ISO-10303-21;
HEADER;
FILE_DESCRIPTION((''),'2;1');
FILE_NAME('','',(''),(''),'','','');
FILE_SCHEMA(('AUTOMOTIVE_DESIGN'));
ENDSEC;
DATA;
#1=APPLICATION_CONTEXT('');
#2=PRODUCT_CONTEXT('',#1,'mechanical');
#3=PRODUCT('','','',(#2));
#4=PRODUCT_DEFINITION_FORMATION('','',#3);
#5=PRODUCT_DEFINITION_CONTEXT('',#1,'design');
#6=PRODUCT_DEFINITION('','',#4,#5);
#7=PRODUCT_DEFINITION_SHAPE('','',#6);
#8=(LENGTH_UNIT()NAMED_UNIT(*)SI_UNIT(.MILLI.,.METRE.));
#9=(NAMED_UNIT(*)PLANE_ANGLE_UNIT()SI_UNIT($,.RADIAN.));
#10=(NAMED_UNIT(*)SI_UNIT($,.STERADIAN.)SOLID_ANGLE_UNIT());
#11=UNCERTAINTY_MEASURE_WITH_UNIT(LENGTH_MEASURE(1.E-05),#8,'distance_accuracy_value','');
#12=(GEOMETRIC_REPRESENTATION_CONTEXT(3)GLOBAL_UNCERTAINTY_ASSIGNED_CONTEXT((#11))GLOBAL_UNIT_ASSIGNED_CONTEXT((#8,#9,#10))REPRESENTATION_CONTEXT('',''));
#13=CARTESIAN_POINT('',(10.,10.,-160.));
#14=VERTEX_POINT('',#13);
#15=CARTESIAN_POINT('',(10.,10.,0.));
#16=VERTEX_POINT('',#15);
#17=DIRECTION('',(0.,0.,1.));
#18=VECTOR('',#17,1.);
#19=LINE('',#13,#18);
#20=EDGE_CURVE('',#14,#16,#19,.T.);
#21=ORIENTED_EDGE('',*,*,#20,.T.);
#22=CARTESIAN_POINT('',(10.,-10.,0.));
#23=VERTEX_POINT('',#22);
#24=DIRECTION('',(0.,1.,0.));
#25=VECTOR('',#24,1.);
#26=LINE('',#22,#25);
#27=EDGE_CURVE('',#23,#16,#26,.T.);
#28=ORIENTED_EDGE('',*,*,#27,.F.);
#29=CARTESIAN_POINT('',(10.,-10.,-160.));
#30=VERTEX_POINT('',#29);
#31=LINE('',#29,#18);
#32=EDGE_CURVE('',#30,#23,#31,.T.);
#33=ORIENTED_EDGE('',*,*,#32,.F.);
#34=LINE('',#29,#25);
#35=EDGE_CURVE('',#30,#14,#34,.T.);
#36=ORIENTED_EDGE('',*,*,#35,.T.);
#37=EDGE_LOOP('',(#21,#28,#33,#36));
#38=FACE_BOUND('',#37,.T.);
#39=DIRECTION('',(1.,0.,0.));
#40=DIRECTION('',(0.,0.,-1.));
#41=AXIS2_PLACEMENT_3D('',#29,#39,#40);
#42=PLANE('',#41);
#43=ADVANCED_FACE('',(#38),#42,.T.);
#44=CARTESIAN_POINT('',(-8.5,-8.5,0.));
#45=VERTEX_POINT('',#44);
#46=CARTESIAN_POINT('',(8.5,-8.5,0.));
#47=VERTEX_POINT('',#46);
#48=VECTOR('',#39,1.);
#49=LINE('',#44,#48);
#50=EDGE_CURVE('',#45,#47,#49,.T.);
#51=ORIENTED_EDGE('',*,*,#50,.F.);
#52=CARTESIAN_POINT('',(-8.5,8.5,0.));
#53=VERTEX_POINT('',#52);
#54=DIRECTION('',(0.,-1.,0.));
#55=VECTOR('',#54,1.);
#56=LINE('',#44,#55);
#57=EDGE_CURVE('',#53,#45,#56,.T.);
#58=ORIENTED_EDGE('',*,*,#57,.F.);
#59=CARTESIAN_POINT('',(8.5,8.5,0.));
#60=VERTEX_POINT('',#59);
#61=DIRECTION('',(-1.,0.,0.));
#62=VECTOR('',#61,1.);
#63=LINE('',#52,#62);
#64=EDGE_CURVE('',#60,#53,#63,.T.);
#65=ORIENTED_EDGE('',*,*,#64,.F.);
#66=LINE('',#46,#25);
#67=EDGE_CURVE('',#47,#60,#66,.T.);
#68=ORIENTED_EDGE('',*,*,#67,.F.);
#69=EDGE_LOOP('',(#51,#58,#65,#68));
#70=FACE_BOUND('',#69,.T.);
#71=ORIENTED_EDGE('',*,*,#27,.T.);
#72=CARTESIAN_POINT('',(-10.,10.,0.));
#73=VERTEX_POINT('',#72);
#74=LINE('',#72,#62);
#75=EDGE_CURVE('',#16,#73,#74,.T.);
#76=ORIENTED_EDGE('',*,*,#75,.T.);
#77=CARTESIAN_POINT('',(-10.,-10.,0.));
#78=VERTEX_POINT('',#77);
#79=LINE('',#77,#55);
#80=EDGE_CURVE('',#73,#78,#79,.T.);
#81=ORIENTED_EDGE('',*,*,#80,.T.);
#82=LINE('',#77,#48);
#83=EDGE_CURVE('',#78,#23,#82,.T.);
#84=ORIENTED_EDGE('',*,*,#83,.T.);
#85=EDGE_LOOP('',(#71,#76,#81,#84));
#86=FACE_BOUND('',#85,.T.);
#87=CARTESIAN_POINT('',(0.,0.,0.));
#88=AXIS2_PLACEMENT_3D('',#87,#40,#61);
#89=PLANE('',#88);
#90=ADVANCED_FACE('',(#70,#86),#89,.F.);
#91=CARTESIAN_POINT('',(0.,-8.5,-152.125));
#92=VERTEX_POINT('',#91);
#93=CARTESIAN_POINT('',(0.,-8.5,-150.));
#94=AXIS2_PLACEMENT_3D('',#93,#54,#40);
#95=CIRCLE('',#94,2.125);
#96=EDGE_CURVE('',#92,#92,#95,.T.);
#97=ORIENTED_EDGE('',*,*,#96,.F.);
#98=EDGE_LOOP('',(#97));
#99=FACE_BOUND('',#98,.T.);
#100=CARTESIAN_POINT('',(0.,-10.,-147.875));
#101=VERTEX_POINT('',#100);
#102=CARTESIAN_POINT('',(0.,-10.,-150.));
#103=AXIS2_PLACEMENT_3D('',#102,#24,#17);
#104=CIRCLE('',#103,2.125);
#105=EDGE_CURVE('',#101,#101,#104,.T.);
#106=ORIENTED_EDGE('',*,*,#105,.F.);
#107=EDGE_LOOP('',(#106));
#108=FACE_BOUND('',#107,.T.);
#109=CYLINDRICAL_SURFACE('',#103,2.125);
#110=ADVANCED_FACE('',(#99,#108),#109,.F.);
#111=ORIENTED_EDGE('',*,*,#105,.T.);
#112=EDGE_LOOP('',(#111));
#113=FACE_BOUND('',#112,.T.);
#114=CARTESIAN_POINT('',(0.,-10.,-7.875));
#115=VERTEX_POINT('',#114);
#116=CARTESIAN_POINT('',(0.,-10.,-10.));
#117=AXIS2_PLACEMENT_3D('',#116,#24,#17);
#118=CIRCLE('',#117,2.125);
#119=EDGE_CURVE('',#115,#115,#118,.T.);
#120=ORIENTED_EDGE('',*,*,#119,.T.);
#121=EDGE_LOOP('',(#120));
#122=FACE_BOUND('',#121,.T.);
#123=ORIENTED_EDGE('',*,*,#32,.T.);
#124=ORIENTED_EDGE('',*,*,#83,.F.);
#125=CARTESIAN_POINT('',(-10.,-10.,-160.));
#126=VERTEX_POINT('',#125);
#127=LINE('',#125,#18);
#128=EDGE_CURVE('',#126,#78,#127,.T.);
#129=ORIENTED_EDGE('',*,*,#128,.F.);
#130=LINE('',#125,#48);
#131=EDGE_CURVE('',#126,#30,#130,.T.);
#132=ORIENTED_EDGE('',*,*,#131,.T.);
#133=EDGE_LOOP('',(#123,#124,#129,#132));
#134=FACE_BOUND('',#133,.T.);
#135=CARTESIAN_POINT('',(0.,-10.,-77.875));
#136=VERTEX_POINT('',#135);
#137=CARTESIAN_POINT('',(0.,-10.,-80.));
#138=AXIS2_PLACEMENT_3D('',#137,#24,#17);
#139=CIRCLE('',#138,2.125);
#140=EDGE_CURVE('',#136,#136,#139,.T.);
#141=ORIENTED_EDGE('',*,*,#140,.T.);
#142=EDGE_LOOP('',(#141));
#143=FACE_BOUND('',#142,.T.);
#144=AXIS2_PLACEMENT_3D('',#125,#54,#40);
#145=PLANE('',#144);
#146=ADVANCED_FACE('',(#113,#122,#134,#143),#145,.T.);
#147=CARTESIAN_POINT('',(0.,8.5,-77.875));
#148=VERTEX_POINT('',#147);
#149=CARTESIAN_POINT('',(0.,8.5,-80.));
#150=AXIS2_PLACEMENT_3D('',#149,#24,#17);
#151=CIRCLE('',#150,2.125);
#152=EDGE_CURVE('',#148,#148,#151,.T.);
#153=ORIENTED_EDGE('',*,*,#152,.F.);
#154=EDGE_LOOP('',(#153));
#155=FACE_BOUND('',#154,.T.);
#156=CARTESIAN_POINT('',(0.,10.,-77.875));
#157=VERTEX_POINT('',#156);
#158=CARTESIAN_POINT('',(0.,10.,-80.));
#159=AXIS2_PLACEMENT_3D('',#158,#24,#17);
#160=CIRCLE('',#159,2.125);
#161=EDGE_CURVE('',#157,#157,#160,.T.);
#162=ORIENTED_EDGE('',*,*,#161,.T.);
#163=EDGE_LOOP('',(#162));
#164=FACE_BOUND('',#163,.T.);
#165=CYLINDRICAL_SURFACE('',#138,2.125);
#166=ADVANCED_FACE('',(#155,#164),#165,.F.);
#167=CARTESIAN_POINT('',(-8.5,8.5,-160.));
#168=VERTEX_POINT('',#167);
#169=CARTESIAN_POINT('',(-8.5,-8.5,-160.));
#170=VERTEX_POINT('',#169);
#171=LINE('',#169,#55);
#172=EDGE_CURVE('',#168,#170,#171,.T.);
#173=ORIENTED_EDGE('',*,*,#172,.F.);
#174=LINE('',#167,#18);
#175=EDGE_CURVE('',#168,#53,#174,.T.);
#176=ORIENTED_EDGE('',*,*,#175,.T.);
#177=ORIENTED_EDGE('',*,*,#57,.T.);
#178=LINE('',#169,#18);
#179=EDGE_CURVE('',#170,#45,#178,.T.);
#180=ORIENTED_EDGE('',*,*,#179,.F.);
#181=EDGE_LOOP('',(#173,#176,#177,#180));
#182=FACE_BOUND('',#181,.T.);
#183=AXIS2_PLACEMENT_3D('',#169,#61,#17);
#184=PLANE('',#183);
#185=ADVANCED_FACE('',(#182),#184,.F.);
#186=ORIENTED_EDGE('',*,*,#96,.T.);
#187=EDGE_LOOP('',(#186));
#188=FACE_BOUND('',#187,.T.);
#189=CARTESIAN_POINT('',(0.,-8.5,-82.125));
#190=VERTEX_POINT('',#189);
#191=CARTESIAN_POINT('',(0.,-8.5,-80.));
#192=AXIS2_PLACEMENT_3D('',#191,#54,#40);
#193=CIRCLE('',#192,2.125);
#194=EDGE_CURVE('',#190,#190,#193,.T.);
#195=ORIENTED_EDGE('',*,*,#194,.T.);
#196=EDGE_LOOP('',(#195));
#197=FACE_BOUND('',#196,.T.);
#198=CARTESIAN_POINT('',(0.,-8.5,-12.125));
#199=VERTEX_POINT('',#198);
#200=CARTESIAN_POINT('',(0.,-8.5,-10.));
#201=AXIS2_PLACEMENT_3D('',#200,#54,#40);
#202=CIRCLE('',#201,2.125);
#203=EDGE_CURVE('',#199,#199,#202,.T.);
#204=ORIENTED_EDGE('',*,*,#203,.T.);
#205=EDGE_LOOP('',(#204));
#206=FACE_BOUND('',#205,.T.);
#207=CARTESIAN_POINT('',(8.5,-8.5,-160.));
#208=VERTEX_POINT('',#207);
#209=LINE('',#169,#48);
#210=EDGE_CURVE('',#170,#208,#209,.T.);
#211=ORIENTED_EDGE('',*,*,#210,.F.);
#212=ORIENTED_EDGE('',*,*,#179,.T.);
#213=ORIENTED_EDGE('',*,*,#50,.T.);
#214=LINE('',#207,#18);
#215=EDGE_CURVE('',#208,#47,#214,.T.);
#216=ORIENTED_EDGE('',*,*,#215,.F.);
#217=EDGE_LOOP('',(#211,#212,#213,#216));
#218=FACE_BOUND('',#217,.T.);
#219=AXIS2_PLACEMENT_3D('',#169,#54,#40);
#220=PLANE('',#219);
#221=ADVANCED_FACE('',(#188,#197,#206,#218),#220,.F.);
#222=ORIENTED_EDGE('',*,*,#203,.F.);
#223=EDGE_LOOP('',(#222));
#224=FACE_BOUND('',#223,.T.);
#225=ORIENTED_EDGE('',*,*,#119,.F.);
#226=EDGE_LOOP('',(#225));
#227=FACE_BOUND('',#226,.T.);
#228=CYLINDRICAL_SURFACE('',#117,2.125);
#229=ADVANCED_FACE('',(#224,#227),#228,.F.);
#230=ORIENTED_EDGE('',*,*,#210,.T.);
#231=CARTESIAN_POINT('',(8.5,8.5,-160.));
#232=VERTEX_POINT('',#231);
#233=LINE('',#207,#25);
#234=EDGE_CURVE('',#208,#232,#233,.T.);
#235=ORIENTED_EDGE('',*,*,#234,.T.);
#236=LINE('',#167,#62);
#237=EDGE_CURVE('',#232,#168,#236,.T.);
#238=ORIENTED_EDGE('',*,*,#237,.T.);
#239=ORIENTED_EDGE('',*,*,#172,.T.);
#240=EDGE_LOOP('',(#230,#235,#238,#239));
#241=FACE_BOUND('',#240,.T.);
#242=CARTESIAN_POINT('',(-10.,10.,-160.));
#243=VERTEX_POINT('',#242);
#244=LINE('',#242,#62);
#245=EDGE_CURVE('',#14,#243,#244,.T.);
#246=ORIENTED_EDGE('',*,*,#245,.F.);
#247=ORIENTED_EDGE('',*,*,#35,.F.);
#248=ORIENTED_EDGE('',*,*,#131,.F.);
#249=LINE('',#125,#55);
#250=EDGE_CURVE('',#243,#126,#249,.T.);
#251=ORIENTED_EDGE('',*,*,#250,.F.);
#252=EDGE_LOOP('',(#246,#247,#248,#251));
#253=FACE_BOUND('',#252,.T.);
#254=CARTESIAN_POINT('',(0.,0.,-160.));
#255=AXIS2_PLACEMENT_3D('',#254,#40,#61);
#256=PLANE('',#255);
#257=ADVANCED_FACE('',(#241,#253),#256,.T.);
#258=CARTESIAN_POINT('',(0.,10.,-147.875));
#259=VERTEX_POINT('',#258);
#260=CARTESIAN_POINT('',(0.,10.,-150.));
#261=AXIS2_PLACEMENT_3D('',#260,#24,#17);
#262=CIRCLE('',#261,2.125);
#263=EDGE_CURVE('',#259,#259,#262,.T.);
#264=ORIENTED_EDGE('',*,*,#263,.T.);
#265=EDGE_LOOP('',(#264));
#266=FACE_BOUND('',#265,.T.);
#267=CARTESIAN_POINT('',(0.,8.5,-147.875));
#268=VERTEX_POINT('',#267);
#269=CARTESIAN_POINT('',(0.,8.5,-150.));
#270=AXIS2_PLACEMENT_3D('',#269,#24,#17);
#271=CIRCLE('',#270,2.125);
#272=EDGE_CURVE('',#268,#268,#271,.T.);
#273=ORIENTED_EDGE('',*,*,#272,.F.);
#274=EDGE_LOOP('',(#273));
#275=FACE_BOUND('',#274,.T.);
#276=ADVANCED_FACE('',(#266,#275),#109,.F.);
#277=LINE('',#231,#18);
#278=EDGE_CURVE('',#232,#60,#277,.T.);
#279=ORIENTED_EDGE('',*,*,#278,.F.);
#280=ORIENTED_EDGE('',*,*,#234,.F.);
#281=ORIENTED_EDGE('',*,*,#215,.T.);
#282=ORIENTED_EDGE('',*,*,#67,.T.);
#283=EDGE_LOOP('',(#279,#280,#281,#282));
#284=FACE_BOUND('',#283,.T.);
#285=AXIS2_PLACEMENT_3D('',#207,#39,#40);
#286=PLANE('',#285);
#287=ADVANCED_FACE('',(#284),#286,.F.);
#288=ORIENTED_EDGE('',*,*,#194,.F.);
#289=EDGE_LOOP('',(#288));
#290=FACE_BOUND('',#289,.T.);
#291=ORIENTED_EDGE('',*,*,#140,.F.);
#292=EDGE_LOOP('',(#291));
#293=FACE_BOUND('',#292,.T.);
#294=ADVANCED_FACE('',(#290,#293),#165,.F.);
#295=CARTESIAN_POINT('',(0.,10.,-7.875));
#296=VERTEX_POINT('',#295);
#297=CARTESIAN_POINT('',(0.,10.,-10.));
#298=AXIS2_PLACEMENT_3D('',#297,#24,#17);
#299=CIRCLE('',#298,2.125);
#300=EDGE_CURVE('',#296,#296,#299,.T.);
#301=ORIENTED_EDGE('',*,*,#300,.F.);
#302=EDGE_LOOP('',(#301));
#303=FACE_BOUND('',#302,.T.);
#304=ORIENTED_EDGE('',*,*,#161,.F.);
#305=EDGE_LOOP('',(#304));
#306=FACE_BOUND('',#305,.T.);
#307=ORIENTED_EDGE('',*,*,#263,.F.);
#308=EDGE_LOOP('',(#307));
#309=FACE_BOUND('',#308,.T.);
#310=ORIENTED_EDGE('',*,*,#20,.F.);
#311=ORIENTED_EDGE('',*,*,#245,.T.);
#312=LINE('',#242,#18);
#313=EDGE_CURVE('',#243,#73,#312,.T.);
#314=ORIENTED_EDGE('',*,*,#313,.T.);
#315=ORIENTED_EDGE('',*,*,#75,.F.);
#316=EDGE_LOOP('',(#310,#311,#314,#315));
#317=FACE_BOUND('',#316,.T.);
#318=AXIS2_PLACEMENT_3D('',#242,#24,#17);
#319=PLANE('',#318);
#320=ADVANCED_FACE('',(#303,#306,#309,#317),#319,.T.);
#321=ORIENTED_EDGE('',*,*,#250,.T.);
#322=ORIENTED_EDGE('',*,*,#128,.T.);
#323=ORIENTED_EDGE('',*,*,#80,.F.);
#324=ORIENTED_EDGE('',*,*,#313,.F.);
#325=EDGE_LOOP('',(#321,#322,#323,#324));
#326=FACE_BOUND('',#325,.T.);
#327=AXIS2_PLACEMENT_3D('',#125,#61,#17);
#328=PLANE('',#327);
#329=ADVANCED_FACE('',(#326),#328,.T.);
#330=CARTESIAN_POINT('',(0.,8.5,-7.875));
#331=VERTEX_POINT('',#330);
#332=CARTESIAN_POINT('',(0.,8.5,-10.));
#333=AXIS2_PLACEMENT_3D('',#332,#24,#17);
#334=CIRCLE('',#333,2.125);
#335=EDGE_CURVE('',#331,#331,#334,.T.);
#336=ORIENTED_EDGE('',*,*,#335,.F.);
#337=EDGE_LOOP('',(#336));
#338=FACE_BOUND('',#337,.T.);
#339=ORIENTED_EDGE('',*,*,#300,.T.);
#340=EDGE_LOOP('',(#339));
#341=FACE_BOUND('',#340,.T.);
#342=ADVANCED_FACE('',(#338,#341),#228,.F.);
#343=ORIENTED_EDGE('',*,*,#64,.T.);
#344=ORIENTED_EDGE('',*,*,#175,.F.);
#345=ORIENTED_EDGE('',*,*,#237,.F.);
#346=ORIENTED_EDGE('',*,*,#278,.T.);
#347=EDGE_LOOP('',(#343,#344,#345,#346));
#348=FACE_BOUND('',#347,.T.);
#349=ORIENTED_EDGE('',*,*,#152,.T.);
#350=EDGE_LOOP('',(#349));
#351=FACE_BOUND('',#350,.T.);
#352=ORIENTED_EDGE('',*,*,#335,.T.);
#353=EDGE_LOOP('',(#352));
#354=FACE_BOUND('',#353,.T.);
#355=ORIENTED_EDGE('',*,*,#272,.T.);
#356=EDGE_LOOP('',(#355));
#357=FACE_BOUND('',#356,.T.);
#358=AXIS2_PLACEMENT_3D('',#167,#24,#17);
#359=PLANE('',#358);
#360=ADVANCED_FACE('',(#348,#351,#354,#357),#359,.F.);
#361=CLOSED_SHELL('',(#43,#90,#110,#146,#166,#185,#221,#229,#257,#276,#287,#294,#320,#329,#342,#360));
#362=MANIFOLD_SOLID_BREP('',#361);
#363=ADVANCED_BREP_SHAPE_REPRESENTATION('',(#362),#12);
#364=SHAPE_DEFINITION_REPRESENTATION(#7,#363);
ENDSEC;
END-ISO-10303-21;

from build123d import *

# Parameters (mm, degrees)
SKETCH1_W           = 20
SKETCH1_H           = 20
SKETCH1_W_2         = 17
SKETCH1_H_2         = 17
BOSS_EXTRUDE1_DEPTH = 160
SKETCH2_R           = 2.125
CUT_EXTRUDE1_DEPTH  = 162.554944214


with BuildPart() as part:
    # Sketch1 → Boss-Extrude1 (new body)
    with BuildSketch(Plane.XY):
        Rectangle(SKETCH1_W, SKETCH1_H)
        Rectangle(SKETCH1_W_2, SKETCH1_H_2, mode=Mode.SUBTRACT)
    extrude(amount=-BOSS_EXTRUDE1_DEPTH)

    # Sketch2 → Cut-Extrude1 (cut, through all)
    with BuildSketch(Plane(origin=(0, 10, 0), x_dir=(1, 0, 0), z_dir=(0, 1, 0))):
        with Locations(Location((0, 10, 0), (0, 0, 270))):
            Circle(SKETCH2_R)
        with Locations(Location((0, 80, 0), (0, 0, 270))):
            Circle(SKETCH2_R)
        with Locations(Location((0, 150, 0), (0, 0, 270))):
            Circle(SKETCH2_R)
    extrude(amount=-CUT_EXTRUDE1_DEPTH, mode=Mode.SUBTRACT)


solid = part.part
